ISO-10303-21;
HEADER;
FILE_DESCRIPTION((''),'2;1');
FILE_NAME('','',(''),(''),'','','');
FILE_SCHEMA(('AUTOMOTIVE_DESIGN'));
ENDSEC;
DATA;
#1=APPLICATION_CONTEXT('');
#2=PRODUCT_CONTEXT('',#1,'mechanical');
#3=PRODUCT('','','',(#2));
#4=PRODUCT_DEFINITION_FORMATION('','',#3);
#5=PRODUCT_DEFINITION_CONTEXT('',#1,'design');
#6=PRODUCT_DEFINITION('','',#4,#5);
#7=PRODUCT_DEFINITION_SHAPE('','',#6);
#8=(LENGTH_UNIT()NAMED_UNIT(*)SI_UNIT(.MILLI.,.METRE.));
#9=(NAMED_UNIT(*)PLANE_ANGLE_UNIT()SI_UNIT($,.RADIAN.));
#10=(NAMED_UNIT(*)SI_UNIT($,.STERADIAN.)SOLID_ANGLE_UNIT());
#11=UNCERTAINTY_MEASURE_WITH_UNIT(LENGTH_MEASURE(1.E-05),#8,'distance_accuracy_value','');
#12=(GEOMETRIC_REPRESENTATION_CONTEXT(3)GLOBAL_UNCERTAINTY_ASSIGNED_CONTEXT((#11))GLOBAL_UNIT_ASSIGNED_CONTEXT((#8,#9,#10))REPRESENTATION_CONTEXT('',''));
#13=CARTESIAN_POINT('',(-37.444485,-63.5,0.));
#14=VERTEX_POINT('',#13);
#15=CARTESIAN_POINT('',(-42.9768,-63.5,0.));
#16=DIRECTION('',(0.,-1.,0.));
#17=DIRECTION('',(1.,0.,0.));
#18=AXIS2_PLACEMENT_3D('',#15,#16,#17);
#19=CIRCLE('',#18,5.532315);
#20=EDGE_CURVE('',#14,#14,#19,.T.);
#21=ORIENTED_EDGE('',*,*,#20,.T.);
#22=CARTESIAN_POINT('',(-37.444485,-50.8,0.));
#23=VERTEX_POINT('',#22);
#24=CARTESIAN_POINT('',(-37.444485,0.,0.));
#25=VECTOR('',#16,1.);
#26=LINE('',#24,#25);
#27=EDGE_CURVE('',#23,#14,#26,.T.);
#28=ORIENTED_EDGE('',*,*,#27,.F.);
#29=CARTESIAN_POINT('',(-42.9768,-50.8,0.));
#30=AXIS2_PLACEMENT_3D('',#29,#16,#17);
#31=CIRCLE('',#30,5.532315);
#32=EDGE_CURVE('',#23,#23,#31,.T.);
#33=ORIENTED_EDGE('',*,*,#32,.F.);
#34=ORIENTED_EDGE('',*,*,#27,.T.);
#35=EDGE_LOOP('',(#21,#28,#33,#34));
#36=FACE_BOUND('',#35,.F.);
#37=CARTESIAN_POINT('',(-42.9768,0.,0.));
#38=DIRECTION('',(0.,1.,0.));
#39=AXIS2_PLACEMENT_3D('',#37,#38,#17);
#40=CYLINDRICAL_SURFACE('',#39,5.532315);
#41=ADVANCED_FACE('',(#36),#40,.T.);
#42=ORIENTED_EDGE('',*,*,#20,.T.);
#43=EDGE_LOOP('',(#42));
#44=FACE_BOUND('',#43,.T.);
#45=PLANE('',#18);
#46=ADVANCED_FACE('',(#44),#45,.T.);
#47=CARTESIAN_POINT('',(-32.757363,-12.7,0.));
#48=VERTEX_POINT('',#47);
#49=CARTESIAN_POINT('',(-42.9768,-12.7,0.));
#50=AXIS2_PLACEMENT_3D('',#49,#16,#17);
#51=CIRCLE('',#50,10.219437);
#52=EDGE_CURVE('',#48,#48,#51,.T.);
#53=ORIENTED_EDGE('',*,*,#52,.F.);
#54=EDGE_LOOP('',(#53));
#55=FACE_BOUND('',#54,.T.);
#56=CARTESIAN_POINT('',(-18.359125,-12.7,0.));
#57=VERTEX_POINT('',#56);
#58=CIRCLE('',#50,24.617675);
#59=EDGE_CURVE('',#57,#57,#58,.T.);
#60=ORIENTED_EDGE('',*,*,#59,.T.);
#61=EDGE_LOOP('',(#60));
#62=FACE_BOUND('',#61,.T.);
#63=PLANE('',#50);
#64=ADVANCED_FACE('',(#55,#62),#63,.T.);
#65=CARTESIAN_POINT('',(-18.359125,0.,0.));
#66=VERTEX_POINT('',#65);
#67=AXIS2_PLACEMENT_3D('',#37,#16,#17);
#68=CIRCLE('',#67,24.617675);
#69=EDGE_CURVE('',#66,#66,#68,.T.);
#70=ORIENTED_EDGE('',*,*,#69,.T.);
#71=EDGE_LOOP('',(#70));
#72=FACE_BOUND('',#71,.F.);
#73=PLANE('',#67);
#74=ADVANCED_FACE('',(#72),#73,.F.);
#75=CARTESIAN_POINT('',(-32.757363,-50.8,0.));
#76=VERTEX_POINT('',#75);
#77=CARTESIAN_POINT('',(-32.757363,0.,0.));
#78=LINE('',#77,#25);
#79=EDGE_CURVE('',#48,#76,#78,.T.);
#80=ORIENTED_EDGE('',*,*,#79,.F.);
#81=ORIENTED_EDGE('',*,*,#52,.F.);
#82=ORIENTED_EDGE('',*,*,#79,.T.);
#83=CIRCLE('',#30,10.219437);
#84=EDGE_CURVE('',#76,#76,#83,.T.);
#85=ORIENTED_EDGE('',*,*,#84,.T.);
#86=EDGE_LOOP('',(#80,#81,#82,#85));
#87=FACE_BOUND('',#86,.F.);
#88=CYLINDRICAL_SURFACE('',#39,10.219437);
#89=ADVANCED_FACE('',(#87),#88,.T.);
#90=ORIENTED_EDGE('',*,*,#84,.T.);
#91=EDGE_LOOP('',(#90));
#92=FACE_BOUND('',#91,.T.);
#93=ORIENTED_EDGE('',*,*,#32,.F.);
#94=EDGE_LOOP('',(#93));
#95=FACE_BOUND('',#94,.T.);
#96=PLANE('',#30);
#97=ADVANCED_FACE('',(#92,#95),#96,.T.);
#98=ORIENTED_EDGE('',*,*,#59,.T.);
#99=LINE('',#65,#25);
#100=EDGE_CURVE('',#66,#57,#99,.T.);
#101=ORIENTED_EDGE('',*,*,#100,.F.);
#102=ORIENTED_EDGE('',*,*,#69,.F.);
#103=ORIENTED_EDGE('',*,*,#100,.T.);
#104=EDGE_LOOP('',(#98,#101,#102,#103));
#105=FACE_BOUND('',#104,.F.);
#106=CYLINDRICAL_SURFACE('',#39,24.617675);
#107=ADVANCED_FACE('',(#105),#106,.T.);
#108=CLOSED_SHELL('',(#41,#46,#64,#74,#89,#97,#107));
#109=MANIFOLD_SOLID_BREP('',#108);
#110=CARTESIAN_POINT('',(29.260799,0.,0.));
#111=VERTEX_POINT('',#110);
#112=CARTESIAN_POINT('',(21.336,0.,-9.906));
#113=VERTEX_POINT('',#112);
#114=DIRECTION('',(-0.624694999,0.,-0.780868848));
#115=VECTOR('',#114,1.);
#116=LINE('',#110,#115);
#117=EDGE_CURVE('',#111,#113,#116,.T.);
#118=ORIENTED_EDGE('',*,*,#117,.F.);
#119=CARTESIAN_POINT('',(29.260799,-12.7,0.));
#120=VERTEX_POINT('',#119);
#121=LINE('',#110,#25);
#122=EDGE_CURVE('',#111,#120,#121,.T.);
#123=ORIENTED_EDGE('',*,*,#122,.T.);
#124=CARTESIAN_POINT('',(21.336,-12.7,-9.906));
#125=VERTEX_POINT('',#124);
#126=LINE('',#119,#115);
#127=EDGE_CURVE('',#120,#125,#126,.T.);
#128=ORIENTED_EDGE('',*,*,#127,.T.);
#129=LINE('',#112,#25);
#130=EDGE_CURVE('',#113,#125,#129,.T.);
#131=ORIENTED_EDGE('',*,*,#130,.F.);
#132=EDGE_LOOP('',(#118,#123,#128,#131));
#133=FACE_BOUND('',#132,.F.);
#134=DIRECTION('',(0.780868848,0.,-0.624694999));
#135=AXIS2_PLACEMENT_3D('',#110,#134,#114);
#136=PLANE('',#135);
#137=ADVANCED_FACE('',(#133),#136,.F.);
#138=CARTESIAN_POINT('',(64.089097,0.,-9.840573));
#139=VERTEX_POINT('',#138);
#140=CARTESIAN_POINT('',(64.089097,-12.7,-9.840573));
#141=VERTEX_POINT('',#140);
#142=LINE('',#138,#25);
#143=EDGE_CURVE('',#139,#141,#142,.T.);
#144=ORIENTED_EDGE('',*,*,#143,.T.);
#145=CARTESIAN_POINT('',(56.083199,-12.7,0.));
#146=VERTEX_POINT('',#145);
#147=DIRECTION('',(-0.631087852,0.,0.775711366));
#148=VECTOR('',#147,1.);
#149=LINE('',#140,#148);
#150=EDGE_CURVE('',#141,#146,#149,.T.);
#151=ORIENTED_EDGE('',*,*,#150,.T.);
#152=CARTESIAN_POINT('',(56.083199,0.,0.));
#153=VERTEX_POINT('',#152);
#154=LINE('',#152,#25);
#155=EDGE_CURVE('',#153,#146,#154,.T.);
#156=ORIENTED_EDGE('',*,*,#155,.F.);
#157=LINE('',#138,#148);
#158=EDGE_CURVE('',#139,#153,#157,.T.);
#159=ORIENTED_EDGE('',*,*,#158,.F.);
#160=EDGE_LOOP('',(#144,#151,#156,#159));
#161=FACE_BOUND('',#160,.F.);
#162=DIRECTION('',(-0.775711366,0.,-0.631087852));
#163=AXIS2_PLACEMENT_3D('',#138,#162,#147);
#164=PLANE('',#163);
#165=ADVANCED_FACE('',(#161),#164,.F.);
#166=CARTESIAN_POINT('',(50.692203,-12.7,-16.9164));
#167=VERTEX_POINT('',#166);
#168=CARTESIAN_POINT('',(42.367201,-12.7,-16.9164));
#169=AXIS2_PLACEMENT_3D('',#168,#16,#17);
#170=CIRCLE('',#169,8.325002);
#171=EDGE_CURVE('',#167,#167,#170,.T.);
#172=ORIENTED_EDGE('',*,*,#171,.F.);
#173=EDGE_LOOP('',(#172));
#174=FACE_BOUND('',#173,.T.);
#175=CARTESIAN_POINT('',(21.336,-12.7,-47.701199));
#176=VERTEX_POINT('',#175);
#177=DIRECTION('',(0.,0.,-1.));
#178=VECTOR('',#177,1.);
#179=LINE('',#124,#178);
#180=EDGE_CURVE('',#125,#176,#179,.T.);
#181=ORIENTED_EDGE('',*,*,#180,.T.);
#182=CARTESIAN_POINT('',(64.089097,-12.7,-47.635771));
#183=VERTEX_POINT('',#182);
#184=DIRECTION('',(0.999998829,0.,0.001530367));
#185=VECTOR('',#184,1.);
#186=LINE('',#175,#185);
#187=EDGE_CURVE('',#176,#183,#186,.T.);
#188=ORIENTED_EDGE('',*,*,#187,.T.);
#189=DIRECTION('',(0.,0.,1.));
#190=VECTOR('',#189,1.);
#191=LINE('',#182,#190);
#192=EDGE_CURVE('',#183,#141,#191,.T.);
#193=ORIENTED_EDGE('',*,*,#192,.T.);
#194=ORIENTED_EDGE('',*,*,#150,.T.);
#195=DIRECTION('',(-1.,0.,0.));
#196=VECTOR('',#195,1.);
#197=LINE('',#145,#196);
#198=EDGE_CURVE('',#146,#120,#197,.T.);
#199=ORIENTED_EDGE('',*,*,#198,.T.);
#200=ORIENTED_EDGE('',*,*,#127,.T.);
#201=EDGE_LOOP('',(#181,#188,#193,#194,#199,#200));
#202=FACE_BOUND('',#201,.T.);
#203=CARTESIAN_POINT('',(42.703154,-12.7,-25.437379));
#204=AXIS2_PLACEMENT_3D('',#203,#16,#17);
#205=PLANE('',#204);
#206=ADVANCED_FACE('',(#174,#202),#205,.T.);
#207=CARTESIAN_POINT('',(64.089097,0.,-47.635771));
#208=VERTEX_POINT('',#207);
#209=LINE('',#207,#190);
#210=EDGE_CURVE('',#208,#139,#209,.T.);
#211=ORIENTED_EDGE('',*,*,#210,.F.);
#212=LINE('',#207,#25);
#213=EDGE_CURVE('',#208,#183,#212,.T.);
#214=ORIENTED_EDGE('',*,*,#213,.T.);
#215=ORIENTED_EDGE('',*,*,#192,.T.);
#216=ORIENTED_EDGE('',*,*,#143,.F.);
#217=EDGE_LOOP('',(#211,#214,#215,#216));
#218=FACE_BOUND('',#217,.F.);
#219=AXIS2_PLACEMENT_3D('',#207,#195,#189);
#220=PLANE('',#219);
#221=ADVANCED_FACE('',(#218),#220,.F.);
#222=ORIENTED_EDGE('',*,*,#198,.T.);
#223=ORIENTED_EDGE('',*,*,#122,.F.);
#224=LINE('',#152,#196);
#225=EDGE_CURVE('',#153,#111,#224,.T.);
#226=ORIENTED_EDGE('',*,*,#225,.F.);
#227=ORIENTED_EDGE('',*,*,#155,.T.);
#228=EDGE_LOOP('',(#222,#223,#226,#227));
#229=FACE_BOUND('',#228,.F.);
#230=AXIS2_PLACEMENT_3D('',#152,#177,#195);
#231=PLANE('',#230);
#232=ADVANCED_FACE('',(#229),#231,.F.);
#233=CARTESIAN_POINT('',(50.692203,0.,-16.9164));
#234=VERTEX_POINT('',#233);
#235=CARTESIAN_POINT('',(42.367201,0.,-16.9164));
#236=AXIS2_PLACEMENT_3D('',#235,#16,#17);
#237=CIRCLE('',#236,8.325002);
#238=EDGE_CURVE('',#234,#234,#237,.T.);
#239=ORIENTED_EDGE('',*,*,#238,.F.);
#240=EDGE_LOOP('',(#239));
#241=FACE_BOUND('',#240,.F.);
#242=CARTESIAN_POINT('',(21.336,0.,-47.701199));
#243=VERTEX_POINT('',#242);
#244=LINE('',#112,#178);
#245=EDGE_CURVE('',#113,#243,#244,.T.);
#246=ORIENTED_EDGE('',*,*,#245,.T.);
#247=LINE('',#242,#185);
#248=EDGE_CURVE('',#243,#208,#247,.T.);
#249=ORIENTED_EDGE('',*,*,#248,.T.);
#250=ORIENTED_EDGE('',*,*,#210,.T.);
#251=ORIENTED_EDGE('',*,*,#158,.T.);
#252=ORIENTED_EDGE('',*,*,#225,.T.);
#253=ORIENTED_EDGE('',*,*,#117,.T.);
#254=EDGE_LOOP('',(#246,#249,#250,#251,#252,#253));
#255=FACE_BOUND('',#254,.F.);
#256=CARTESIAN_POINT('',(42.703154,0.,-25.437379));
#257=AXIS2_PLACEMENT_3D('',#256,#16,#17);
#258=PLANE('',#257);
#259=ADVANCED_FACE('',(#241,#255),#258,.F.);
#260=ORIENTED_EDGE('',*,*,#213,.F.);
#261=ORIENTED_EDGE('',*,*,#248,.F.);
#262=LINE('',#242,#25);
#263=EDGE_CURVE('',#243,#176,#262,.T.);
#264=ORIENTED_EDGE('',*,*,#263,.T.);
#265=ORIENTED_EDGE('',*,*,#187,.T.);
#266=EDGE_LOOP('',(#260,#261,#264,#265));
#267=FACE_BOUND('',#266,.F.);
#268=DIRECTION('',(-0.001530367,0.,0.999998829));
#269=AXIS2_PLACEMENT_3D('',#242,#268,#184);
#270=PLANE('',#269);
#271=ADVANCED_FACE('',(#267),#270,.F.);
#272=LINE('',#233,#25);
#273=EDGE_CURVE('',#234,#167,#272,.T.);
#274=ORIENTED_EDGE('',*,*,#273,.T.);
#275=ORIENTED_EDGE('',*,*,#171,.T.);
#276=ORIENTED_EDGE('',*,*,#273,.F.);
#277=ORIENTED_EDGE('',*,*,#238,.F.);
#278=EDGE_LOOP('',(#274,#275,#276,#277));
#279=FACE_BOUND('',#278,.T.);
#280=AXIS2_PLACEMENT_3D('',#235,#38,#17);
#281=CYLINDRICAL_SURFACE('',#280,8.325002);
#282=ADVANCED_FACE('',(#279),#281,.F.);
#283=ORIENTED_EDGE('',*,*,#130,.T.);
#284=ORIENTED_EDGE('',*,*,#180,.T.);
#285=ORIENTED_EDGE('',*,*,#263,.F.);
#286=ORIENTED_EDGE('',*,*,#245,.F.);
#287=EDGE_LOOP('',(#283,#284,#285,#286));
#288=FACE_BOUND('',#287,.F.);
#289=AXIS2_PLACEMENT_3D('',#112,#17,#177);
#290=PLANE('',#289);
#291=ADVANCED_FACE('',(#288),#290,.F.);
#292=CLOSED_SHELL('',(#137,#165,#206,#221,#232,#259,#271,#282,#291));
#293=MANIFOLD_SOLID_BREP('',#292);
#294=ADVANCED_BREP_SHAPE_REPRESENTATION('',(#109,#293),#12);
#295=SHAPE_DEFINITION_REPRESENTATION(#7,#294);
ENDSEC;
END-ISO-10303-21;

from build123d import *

# Parameters (mm, degrees)
F0_R     = 8.325002
F1_DEPTH = 12.7
F2_R     = 10.219437
F2_R_2   = 5.532315
F3_DEPTH = 50.8
F2_R_3   = 24.617675
F4_DEPTH = 12.7
F5_DEPTH = 63.5


with BuildPart() as f1:
    # F0 (on Front) → F1 (new body)
    with BuildSketch(Plane.XZ):
        Polygon((56.083199, 0), (29.260799, 0), (21.336, -9.906), (21.336, -47.701199), (64.089097, -47.635771), (64.089097, -9.840573), align=None)
        with Locations((42.367201, -16.9164)):
            Circle(F0_R, mode=Mode.SUBTRACT)
    extrude(amount=F1_DEPTH)


with BuildPart() as f3:
    # F2 (on Front) → F3 (new body)
    with BuildSketch(Plane.XZ):
        with Locations((-42.9768, 0)):
            Circle(F2_R)
        with Locations((-42.9768, 0)):
            Circle(F2_R_2, mode=Mode.SUBTRACT)
    extrude(amount=F3_DEPTH)

    # F2 (on Front) → F4 (join)
    with BuildSketch(Plane.XZ):
        with Locations((-42.9768, 0)):
            Circle(F2_R_3)
        with Locations((-42.9768, 0)):
            Circle(F2_R, mode=Mode.SUBTRACT)
    extrude(amount=F4_DEPTH)

    # F2 (on Front) → F5 (join)
    with BuildSketch(Plane.XZ):
        with Locations((-42.9768, 0)):
            Circle(F2_R_2)
    extrude(amount=F5_DEPTH)


solid = Compound([f1.part, f3.part])
